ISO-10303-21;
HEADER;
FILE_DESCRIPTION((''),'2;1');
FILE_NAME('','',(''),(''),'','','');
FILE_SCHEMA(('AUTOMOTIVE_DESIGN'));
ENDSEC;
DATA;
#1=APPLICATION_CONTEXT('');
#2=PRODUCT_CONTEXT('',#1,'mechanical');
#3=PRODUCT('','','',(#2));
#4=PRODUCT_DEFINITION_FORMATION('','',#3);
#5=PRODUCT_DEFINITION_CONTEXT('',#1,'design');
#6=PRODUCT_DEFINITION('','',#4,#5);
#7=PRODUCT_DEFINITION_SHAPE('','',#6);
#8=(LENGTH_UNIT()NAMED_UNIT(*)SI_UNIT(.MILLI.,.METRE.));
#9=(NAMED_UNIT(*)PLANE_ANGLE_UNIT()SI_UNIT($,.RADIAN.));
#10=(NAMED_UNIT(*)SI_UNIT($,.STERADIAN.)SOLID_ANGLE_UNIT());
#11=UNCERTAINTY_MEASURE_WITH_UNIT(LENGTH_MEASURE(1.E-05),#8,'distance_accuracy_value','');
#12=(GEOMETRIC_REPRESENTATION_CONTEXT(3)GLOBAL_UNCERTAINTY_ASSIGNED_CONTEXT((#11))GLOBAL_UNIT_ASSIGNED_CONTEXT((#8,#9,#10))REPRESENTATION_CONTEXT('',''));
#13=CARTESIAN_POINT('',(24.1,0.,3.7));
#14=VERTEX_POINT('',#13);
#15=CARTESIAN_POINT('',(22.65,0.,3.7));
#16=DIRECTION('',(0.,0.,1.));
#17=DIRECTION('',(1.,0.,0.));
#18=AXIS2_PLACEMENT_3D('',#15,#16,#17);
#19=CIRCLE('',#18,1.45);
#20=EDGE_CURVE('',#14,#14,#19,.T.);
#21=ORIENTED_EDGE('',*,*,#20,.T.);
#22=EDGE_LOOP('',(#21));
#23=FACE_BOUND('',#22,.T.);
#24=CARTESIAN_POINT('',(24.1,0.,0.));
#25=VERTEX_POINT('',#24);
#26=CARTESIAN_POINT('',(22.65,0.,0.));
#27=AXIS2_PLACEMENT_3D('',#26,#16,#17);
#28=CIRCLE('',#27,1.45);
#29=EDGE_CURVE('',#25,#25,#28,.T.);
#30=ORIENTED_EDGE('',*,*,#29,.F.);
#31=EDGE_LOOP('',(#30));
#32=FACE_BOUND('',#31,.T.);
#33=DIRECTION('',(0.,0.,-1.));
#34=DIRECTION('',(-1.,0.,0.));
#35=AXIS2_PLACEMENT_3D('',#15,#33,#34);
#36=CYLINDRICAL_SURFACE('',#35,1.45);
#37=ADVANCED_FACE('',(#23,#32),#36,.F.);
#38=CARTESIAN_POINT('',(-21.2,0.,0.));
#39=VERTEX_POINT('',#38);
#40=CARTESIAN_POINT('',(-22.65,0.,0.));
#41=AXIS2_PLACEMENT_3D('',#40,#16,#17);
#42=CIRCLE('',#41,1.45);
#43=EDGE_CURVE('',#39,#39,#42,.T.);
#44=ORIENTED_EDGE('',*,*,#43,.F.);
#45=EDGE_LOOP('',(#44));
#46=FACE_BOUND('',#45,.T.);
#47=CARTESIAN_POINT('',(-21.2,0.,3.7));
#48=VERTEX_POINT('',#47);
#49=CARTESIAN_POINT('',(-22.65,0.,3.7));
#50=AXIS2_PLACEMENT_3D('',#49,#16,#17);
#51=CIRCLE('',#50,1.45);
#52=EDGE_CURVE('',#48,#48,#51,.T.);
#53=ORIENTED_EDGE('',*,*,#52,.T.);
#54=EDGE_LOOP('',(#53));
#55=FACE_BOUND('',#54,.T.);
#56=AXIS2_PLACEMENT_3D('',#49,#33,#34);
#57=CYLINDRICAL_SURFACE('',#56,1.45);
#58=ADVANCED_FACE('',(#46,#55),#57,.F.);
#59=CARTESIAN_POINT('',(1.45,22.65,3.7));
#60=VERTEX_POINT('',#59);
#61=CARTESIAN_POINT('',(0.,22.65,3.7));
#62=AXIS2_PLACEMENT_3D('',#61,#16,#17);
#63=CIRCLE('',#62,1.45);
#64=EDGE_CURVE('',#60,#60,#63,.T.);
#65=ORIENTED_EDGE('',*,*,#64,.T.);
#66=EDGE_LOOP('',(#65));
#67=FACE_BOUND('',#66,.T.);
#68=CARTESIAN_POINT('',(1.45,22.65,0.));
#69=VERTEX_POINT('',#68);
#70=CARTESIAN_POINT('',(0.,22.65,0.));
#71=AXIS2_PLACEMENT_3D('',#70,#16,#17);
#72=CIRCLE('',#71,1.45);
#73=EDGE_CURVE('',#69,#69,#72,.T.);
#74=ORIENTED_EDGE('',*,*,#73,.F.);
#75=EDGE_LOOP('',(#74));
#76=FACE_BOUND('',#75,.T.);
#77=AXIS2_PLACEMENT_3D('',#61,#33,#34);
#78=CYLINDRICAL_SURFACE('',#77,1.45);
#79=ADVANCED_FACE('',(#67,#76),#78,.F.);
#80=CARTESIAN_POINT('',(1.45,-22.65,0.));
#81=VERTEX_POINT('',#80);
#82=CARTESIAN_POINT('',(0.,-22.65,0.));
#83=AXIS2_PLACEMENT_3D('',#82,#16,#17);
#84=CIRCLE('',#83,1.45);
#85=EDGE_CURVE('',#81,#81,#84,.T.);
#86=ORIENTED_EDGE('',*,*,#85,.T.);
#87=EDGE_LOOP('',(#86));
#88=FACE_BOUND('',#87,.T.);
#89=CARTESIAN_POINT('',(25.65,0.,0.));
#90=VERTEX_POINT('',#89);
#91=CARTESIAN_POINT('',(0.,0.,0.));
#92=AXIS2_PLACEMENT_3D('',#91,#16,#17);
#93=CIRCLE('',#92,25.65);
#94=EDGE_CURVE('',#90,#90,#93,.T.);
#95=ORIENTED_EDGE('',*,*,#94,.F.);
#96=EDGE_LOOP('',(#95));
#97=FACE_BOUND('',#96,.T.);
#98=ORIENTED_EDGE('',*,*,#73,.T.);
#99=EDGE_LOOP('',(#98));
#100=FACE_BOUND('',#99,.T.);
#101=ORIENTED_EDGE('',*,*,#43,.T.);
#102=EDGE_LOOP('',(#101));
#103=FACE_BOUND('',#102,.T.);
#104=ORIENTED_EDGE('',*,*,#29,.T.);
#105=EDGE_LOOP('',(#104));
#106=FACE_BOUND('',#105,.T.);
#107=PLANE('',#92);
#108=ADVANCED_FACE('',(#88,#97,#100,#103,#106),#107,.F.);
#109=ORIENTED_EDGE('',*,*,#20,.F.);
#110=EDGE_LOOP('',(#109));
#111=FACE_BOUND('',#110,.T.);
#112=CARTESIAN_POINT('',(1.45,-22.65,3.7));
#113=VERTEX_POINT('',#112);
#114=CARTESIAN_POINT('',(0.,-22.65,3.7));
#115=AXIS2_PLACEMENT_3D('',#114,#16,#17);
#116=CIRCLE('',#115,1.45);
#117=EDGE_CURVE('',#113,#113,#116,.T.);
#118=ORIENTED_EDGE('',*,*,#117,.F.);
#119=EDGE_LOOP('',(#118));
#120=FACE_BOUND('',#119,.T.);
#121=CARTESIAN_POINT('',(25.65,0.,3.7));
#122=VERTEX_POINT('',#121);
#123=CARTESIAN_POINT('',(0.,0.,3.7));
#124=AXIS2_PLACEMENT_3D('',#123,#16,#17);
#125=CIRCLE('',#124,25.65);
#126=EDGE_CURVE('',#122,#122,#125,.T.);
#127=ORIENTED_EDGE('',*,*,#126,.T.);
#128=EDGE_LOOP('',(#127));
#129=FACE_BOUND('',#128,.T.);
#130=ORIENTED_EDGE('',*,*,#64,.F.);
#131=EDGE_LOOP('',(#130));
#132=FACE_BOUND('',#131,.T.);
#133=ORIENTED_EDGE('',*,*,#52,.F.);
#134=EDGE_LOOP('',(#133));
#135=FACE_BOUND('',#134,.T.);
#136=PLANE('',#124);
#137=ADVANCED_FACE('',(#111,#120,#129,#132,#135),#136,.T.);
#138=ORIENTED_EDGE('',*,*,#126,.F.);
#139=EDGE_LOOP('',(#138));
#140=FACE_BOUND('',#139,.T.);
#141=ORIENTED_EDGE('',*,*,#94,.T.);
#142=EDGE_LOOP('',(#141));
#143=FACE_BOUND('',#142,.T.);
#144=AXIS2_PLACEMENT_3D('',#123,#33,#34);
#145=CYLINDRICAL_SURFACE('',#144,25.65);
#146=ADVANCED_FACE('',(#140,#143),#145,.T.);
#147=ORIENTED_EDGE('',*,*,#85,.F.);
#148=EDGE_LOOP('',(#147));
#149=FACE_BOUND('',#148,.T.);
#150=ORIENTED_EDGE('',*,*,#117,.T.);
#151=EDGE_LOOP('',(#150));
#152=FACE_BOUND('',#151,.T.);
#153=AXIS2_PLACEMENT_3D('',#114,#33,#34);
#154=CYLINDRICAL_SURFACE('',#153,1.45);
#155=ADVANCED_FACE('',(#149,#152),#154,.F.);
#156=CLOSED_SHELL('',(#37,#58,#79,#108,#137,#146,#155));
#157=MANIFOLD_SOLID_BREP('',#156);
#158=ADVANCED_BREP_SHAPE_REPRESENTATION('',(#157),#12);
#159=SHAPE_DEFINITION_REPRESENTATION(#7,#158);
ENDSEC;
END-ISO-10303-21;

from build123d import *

# Parameters (mm, degrees)
SKETCH1_R           = 25.65
SKETCH1_R_2         = 1.45
BOSS_EXTRUDE1_DEPTH = 3.7


with BuildPart() as part:
    # Sketch1 → Boss-Extrude1 (new body)
    with BuildSketch(Plane.XY):
        Circle(SKETCH1_R)
        with Locations((0, -22.65)):
            Circle(SKETCH1_R_2, mode=Mode.SUBTRACT)
        with Locations((22.65, 0)):
            Circle(SKETCH1_R_2, mode=Mode.SUBTRACT)
        with Locations((0, 22.65)):
            Circle(SKETCH1_R_2, mode=Mode.SUBTRACT)
        with Locations((-22.65, 0)):
            Circle(SKETCH1_R_2, mode=Mode.SUBTRACT)
    extrude(amount=BOSS_EXTRUDE1_DEPTH)


solid = part.part
